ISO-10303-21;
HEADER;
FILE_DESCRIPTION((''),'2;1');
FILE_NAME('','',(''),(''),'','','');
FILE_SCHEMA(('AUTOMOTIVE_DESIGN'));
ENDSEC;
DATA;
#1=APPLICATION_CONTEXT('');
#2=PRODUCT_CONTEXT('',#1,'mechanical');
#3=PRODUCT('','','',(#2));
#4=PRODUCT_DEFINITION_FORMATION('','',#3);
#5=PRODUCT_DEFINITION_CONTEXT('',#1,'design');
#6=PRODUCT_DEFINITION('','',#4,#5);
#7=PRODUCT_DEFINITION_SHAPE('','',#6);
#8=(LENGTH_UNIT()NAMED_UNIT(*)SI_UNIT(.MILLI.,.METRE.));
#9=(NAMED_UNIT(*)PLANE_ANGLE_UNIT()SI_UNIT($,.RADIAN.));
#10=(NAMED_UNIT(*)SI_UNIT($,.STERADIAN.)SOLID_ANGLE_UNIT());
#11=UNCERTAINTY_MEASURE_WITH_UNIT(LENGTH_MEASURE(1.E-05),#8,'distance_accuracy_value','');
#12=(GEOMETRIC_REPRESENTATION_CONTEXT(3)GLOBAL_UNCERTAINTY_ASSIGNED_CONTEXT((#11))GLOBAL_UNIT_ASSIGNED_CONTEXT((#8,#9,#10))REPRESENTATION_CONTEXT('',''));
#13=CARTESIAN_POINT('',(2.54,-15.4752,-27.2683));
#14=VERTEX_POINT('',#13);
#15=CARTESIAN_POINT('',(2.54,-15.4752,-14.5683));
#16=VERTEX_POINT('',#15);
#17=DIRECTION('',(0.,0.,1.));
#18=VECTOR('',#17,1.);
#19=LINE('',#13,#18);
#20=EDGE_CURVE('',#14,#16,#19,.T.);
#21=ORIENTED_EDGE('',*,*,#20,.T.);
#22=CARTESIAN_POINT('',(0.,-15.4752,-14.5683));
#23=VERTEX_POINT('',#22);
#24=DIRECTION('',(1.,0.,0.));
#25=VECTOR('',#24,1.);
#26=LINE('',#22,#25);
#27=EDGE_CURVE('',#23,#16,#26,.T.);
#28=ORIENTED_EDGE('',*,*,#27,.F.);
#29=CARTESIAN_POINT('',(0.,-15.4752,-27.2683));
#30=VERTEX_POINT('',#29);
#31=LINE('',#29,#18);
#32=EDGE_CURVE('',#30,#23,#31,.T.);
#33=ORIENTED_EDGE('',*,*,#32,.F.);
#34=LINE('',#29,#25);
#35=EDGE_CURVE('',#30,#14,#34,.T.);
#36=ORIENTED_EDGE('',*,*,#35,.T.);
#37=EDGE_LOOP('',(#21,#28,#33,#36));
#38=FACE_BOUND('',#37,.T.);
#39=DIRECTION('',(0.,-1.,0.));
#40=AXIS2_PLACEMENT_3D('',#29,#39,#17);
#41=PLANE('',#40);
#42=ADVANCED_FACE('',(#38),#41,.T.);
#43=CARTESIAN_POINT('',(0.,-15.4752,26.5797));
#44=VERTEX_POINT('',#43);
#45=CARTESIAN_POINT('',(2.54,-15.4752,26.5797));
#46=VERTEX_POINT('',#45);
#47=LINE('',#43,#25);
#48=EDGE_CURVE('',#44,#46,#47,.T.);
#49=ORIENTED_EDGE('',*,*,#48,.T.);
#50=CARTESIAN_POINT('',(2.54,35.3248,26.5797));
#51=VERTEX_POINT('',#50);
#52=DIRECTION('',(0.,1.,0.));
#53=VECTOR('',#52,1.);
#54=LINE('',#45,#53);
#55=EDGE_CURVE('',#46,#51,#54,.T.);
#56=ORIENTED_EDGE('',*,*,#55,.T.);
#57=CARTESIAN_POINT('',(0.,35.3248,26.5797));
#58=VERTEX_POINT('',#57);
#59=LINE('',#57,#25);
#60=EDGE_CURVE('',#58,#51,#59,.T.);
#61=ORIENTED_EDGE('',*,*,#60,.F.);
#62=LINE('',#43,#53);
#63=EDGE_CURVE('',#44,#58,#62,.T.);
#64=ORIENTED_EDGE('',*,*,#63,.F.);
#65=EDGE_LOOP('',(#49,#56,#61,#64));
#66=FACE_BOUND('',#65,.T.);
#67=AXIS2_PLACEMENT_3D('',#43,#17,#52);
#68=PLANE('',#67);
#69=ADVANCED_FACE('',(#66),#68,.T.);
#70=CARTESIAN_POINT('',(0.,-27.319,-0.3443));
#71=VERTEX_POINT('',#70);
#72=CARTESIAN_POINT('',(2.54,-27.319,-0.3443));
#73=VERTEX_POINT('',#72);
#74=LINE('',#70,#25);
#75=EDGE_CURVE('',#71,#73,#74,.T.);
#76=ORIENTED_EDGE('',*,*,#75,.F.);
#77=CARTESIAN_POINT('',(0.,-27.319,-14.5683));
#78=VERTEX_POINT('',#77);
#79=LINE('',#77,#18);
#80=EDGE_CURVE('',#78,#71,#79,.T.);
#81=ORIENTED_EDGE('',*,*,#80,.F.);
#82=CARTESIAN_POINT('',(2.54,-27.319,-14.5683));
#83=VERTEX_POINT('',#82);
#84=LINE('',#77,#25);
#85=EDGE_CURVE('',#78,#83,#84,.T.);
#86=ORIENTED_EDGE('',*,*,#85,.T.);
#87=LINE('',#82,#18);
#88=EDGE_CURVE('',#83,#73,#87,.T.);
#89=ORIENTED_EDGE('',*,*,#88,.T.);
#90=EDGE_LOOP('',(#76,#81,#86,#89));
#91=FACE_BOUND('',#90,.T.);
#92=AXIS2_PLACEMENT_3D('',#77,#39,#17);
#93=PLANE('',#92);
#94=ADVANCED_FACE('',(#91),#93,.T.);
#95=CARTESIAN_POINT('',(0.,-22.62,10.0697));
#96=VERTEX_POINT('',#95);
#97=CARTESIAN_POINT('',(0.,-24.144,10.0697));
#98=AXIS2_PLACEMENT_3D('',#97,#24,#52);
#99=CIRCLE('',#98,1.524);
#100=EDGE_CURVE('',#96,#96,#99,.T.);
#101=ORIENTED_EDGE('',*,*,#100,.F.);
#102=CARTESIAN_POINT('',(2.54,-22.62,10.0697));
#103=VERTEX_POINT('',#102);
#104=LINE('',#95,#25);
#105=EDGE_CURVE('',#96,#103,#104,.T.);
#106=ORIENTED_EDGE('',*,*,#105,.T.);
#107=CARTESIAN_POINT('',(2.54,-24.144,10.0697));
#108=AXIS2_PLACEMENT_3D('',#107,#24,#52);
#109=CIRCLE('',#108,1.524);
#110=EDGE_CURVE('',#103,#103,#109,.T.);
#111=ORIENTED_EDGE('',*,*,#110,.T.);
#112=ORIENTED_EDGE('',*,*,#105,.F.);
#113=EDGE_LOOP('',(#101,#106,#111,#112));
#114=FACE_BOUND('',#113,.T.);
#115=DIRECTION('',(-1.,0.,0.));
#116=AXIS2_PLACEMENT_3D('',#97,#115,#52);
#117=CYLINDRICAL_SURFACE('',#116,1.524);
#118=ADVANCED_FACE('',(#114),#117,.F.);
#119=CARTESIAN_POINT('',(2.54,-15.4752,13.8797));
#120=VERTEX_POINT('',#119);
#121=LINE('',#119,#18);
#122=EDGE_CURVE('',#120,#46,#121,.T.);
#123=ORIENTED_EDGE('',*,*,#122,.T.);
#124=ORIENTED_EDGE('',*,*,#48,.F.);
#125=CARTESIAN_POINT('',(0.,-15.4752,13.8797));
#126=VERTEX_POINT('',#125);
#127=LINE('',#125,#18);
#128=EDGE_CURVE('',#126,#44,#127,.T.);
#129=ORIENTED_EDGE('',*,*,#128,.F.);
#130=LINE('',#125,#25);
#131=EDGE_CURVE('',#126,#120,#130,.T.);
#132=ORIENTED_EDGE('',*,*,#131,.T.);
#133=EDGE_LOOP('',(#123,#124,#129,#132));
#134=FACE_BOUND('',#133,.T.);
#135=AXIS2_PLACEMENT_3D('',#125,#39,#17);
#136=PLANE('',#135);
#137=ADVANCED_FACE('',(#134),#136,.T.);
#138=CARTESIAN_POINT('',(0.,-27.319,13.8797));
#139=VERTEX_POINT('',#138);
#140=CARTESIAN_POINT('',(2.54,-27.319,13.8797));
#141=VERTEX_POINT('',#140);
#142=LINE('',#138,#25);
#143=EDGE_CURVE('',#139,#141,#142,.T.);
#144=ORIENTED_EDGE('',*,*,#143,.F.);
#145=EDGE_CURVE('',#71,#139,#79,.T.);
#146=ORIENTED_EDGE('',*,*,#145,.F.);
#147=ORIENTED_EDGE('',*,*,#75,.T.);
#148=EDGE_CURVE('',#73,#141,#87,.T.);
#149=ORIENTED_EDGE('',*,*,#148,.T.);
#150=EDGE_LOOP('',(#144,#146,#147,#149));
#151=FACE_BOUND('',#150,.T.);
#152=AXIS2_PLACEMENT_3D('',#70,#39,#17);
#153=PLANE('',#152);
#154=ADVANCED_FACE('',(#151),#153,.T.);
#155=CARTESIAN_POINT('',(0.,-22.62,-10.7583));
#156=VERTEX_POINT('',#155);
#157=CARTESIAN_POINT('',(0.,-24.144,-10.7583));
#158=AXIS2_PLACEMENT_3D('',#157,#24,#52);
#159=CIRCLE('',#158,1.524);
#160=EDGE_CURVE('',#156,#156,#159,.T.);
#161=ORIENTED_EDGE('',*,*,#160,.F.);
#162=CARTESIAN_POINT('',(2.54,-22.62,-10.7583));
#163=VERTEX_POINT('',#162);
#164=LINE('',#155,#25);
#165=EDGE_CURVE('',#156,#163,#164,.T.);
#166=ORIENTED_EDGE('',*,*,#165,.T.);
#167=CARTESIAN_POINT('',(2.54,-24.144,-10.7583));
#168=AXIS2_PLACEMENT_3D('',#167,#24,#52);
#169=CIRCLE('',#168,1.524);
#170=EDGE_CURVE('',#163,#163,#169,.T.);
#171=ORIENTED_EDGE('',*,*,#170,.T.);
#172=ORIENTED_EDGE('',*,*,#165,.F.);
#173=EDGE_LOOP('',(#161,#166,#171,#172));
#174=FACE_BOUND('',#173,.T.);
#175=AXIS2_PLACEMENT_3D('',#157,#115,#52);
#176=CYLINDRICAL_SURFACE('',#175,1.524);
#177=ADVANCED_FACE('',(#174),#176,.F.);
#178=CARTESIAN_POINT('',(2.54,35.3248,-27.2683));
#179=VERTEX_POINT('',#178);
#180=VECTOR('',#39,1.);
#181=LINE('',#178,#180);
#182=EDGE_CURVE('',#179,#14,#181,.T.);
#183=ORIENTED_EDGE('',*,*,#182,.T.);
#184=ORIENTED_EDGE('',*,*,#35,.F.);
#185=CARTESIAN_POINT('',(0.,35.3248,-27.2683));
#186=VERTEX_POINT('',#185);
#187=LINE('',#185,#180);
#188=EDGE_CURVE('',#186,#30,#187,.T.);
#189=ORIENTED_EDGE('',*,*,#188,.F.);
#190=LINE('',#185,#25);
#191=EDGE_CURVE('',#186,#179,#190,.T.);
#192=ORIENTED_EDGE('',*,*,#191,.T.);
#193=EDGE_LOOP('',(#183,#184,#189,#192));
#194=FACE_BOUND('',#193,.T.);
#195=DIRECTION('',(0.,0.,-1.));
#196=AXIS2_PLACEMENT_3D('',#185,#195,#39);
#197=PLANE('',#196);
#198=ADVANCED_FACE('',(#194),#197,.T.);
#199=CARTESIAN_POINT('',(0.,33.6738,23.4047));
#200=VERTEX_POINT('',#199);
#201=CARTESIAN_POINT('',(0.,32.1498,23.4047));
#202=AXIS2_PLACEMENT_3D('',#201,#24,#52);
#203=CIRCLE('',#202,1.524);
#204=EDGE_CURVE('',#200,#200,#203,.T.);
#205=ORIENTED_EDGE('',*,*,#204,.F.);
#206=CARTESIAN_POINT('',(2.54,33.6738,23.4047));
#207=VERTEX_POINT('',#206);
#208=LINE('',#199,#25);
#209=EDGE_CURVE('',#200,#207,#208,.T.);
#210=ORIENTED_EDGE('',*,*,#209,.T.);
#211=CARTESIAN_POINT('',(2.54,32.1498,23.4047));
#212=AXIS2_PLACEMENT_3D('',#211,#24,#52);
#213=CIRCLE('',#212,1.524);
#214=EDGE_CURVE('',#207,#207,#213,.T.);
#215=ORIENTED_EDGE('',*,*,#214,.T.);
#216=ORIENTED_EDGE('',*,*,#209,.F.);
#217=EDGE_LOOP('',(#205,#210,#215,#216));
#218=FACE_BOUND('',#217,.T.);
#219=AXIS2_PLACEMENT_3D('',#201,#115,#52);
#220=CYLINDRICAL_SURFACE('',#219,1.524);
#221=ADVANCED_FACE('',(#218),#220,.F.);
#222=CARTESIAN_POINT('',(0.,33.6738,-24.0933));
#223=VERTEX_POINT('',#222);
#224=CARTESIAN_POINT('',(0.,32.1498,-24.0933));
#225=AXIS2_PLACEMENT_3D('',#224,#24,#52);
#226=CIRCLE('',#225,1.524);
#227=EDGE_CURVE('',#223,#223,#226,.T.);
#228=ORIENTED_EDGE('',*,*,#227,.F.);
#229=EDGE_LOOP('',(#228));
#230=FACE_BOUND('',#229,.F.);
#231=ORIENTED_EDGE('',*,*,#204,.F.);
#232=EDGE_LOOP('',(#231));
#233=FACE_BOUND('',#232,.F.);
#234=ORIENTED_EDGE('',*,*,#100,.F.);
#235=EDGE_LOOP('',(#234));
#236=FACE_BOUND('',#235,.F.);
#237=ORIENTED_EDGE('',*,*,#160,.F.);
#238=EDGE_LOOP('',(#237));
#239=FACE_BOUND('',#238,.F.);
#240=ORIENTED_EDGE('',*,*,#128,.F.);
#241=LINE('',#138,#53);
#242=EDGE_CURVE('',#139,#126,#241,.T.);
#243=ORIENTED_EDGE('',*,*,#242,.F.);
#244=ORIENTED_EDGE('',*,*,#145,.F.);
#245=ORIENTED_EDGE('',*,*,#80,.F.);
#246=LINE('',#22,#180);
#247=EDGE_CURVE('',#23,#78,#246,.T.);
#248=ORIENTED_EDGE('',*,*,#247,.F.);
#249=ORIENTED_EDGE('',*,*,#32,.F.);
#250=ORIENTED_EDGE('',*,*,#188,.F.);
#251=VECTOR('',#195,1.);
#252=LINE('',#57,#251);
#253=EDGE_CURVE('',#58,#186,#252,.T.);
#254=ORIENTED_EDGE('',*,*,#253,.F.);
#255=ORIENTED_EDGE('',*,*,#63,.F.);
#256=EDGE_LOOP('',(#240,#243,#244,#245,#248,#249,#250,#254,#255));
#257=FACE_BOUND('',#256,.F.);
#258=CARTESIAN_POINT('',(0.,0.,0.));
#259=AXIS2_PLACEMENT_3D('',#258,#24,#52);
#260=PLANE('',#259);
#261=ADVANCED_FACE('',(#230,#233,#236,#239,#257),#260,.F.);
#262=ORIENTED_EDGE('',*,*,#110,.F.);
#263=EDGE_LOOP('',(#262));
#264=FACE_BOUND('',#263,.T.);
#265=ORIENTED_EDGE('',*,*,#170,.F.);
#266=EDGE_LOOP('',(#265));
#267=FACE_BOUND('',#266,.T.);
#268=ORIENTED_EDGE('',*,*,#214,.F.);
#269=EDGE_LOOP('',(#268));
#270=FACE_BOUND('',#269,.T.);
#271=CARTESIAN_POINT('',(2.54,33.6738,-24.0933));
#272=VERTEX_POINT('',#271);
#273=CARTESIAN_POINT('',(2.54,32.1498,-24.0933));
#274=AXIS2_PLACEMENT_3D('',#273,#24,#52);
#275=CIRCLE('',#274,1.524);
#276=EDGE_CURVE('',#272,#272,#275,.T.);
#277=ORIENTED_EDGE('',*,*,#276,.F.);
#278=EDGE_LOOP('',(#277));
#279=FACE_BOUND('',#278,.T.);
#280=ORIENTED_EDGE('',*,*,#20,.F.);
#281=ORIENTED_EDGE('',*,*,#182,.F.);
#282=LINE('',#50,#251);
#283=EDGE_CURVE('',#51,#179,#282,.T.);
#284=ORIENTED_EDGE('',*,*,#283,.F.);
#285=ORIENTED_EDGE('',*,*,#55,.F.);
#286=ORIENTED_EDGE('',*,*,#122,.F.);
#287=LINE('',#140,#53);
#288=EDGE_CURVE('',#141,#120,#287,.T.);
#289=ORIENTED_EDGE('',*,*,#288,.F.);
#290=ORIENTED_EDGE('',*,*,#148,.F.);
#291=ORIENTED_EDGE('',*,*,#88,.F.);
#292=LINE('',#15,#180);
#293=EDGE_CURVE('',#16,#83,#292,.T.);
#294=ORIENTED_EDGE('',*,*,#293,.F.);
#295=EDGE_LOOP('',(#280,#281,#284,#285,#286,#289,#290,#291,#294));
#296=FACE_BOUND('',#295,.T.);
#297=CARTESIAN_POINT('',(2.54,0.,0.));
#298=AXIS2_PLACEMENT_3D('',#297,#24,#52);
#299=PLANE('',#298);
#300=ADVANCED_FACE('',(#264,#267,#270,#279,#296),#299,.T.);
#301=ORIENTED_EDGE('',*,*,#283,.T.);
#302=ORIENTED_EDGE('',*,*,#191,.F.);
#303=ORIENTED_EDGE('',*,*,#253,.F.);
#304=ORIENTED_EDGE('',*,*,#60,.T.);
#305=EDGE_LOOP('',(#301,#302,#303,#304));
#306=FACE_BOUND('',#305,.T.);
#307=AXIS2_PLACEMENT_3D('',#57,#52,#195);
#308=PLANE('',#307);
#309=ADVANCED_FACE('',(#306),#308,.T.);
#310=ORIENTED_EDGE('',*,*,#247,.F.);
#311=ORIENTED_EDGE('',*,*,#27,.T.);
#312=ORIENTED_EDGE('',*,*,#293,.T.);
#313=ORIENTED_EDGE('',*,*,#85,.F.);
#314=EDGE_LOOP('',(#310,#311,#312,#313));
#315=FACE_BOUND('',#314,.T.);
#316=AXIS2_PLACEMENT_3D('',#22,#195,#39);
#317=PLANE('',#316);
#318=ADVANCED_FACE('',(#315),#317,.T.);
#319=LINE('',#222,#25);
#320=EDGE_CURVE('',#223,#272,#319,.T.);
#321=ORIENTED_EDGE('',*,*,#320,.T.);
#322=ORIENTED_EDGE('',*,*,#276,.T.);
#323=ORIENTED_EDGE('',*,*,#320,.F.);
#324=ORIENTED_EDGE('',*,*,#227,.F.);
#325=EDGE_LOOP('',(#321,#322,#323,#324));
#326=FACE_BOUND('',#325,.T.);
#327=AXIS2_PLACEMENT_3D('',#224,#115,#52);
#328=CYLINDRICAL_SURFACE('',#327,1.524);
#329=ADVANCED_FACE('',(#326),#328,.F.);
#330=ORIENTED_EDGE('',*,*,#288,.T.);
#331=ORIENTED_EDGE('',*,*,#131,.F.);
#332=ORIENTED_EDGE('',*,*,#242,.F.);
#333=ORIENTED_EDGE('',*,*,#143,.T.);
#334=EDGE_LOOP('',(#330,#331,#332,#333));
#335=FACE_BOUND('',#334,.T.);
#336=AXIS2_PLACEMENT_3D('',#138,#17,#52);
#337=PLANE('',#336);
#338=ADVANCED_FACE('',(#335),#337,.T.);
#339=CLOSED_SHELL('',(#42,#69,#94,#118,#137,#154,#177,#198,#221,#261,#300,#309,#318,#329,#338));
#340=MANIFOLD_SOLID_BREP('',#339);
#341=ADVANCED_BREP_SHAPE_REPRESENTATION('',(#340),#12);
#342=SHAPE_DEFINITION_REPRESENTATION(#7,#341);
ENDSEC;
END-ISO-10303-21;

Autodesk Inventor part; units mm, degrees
ref_plane "YZ Plane" through (0, 0, 0) normal (1, 0, 0) x (0, 1, 0)
ref_plane "XZ Plane" through (0, 0, 0) normal (0, 1, 0) x (-1, 0, 0)
ref_plane "XY Plane" through (0, 0, 0) normal (0, 0, 1) x (1, 0, 0)
sketch "Sketch1" plane through (0, 0, 0) normal (1, 0, 0) x (0, 1, 0)
  line L0 (35.3248, 26.5797) -> (35.3248, -27.2683)
  line L1 (35.3248, -27.2683) -> (-15.4752, -27.2683)
  line L2 (-15.4752, -27.2683) -> (-15.4752, -14.5683)
  line L3 (-15.4752, -14.5683) -> (-27.319, -14.5683)
  line L4 (-27.319, -14.5683) -> (-27.319, 13.8797)
  line L5 (-27.319, 13.8797) -> (-15.4752, 13.8797)
  line L6 (-15.4752, 13.8797) -> (-15.4752, 26.5797)
  line L7 (-15.4752, 26.5797) -> (35.3248, 26.5797)
  line L8 (-27.319, -0.3443) -> (-33.7293, -0.3443)
  circle A0 centre (32.1498, 23.4047) radius 1.524
  circle A1 centre (32.1498, -24.0933) radius 1.524
  circle A2 centre (-24.144, -10.7583) radius 1.524
  circle A3 centre (-24.144, 10.0697) radius 1.524
  point P0 (0, 0)
  dimension "d0" = 53.848
  dimension "d1" = 12.7
  dimension "d2" = 12.7
  dimension "d3" = 26.924
  dimension "d4" = 50.8
  dimension "d5" = 3.048
  dimension "d6" = 3.048
  dimension "d7" = 3.048
  dimension "d8" = 3.048
  dimension "d9" = 3.175
  dimension "d10" = 3.175
  dimension "d11" = 3.175
  dimension "d12" = 3.175
  dimension "d13" = 16.51
  dimension "d14" = 16.51
  dimension "d15" = 3.175
  dimension "d16" = 3.175
extrude "Extrusion1" add sketch "Sketch1" along normal blind 2.54
properties part number "pixy"
